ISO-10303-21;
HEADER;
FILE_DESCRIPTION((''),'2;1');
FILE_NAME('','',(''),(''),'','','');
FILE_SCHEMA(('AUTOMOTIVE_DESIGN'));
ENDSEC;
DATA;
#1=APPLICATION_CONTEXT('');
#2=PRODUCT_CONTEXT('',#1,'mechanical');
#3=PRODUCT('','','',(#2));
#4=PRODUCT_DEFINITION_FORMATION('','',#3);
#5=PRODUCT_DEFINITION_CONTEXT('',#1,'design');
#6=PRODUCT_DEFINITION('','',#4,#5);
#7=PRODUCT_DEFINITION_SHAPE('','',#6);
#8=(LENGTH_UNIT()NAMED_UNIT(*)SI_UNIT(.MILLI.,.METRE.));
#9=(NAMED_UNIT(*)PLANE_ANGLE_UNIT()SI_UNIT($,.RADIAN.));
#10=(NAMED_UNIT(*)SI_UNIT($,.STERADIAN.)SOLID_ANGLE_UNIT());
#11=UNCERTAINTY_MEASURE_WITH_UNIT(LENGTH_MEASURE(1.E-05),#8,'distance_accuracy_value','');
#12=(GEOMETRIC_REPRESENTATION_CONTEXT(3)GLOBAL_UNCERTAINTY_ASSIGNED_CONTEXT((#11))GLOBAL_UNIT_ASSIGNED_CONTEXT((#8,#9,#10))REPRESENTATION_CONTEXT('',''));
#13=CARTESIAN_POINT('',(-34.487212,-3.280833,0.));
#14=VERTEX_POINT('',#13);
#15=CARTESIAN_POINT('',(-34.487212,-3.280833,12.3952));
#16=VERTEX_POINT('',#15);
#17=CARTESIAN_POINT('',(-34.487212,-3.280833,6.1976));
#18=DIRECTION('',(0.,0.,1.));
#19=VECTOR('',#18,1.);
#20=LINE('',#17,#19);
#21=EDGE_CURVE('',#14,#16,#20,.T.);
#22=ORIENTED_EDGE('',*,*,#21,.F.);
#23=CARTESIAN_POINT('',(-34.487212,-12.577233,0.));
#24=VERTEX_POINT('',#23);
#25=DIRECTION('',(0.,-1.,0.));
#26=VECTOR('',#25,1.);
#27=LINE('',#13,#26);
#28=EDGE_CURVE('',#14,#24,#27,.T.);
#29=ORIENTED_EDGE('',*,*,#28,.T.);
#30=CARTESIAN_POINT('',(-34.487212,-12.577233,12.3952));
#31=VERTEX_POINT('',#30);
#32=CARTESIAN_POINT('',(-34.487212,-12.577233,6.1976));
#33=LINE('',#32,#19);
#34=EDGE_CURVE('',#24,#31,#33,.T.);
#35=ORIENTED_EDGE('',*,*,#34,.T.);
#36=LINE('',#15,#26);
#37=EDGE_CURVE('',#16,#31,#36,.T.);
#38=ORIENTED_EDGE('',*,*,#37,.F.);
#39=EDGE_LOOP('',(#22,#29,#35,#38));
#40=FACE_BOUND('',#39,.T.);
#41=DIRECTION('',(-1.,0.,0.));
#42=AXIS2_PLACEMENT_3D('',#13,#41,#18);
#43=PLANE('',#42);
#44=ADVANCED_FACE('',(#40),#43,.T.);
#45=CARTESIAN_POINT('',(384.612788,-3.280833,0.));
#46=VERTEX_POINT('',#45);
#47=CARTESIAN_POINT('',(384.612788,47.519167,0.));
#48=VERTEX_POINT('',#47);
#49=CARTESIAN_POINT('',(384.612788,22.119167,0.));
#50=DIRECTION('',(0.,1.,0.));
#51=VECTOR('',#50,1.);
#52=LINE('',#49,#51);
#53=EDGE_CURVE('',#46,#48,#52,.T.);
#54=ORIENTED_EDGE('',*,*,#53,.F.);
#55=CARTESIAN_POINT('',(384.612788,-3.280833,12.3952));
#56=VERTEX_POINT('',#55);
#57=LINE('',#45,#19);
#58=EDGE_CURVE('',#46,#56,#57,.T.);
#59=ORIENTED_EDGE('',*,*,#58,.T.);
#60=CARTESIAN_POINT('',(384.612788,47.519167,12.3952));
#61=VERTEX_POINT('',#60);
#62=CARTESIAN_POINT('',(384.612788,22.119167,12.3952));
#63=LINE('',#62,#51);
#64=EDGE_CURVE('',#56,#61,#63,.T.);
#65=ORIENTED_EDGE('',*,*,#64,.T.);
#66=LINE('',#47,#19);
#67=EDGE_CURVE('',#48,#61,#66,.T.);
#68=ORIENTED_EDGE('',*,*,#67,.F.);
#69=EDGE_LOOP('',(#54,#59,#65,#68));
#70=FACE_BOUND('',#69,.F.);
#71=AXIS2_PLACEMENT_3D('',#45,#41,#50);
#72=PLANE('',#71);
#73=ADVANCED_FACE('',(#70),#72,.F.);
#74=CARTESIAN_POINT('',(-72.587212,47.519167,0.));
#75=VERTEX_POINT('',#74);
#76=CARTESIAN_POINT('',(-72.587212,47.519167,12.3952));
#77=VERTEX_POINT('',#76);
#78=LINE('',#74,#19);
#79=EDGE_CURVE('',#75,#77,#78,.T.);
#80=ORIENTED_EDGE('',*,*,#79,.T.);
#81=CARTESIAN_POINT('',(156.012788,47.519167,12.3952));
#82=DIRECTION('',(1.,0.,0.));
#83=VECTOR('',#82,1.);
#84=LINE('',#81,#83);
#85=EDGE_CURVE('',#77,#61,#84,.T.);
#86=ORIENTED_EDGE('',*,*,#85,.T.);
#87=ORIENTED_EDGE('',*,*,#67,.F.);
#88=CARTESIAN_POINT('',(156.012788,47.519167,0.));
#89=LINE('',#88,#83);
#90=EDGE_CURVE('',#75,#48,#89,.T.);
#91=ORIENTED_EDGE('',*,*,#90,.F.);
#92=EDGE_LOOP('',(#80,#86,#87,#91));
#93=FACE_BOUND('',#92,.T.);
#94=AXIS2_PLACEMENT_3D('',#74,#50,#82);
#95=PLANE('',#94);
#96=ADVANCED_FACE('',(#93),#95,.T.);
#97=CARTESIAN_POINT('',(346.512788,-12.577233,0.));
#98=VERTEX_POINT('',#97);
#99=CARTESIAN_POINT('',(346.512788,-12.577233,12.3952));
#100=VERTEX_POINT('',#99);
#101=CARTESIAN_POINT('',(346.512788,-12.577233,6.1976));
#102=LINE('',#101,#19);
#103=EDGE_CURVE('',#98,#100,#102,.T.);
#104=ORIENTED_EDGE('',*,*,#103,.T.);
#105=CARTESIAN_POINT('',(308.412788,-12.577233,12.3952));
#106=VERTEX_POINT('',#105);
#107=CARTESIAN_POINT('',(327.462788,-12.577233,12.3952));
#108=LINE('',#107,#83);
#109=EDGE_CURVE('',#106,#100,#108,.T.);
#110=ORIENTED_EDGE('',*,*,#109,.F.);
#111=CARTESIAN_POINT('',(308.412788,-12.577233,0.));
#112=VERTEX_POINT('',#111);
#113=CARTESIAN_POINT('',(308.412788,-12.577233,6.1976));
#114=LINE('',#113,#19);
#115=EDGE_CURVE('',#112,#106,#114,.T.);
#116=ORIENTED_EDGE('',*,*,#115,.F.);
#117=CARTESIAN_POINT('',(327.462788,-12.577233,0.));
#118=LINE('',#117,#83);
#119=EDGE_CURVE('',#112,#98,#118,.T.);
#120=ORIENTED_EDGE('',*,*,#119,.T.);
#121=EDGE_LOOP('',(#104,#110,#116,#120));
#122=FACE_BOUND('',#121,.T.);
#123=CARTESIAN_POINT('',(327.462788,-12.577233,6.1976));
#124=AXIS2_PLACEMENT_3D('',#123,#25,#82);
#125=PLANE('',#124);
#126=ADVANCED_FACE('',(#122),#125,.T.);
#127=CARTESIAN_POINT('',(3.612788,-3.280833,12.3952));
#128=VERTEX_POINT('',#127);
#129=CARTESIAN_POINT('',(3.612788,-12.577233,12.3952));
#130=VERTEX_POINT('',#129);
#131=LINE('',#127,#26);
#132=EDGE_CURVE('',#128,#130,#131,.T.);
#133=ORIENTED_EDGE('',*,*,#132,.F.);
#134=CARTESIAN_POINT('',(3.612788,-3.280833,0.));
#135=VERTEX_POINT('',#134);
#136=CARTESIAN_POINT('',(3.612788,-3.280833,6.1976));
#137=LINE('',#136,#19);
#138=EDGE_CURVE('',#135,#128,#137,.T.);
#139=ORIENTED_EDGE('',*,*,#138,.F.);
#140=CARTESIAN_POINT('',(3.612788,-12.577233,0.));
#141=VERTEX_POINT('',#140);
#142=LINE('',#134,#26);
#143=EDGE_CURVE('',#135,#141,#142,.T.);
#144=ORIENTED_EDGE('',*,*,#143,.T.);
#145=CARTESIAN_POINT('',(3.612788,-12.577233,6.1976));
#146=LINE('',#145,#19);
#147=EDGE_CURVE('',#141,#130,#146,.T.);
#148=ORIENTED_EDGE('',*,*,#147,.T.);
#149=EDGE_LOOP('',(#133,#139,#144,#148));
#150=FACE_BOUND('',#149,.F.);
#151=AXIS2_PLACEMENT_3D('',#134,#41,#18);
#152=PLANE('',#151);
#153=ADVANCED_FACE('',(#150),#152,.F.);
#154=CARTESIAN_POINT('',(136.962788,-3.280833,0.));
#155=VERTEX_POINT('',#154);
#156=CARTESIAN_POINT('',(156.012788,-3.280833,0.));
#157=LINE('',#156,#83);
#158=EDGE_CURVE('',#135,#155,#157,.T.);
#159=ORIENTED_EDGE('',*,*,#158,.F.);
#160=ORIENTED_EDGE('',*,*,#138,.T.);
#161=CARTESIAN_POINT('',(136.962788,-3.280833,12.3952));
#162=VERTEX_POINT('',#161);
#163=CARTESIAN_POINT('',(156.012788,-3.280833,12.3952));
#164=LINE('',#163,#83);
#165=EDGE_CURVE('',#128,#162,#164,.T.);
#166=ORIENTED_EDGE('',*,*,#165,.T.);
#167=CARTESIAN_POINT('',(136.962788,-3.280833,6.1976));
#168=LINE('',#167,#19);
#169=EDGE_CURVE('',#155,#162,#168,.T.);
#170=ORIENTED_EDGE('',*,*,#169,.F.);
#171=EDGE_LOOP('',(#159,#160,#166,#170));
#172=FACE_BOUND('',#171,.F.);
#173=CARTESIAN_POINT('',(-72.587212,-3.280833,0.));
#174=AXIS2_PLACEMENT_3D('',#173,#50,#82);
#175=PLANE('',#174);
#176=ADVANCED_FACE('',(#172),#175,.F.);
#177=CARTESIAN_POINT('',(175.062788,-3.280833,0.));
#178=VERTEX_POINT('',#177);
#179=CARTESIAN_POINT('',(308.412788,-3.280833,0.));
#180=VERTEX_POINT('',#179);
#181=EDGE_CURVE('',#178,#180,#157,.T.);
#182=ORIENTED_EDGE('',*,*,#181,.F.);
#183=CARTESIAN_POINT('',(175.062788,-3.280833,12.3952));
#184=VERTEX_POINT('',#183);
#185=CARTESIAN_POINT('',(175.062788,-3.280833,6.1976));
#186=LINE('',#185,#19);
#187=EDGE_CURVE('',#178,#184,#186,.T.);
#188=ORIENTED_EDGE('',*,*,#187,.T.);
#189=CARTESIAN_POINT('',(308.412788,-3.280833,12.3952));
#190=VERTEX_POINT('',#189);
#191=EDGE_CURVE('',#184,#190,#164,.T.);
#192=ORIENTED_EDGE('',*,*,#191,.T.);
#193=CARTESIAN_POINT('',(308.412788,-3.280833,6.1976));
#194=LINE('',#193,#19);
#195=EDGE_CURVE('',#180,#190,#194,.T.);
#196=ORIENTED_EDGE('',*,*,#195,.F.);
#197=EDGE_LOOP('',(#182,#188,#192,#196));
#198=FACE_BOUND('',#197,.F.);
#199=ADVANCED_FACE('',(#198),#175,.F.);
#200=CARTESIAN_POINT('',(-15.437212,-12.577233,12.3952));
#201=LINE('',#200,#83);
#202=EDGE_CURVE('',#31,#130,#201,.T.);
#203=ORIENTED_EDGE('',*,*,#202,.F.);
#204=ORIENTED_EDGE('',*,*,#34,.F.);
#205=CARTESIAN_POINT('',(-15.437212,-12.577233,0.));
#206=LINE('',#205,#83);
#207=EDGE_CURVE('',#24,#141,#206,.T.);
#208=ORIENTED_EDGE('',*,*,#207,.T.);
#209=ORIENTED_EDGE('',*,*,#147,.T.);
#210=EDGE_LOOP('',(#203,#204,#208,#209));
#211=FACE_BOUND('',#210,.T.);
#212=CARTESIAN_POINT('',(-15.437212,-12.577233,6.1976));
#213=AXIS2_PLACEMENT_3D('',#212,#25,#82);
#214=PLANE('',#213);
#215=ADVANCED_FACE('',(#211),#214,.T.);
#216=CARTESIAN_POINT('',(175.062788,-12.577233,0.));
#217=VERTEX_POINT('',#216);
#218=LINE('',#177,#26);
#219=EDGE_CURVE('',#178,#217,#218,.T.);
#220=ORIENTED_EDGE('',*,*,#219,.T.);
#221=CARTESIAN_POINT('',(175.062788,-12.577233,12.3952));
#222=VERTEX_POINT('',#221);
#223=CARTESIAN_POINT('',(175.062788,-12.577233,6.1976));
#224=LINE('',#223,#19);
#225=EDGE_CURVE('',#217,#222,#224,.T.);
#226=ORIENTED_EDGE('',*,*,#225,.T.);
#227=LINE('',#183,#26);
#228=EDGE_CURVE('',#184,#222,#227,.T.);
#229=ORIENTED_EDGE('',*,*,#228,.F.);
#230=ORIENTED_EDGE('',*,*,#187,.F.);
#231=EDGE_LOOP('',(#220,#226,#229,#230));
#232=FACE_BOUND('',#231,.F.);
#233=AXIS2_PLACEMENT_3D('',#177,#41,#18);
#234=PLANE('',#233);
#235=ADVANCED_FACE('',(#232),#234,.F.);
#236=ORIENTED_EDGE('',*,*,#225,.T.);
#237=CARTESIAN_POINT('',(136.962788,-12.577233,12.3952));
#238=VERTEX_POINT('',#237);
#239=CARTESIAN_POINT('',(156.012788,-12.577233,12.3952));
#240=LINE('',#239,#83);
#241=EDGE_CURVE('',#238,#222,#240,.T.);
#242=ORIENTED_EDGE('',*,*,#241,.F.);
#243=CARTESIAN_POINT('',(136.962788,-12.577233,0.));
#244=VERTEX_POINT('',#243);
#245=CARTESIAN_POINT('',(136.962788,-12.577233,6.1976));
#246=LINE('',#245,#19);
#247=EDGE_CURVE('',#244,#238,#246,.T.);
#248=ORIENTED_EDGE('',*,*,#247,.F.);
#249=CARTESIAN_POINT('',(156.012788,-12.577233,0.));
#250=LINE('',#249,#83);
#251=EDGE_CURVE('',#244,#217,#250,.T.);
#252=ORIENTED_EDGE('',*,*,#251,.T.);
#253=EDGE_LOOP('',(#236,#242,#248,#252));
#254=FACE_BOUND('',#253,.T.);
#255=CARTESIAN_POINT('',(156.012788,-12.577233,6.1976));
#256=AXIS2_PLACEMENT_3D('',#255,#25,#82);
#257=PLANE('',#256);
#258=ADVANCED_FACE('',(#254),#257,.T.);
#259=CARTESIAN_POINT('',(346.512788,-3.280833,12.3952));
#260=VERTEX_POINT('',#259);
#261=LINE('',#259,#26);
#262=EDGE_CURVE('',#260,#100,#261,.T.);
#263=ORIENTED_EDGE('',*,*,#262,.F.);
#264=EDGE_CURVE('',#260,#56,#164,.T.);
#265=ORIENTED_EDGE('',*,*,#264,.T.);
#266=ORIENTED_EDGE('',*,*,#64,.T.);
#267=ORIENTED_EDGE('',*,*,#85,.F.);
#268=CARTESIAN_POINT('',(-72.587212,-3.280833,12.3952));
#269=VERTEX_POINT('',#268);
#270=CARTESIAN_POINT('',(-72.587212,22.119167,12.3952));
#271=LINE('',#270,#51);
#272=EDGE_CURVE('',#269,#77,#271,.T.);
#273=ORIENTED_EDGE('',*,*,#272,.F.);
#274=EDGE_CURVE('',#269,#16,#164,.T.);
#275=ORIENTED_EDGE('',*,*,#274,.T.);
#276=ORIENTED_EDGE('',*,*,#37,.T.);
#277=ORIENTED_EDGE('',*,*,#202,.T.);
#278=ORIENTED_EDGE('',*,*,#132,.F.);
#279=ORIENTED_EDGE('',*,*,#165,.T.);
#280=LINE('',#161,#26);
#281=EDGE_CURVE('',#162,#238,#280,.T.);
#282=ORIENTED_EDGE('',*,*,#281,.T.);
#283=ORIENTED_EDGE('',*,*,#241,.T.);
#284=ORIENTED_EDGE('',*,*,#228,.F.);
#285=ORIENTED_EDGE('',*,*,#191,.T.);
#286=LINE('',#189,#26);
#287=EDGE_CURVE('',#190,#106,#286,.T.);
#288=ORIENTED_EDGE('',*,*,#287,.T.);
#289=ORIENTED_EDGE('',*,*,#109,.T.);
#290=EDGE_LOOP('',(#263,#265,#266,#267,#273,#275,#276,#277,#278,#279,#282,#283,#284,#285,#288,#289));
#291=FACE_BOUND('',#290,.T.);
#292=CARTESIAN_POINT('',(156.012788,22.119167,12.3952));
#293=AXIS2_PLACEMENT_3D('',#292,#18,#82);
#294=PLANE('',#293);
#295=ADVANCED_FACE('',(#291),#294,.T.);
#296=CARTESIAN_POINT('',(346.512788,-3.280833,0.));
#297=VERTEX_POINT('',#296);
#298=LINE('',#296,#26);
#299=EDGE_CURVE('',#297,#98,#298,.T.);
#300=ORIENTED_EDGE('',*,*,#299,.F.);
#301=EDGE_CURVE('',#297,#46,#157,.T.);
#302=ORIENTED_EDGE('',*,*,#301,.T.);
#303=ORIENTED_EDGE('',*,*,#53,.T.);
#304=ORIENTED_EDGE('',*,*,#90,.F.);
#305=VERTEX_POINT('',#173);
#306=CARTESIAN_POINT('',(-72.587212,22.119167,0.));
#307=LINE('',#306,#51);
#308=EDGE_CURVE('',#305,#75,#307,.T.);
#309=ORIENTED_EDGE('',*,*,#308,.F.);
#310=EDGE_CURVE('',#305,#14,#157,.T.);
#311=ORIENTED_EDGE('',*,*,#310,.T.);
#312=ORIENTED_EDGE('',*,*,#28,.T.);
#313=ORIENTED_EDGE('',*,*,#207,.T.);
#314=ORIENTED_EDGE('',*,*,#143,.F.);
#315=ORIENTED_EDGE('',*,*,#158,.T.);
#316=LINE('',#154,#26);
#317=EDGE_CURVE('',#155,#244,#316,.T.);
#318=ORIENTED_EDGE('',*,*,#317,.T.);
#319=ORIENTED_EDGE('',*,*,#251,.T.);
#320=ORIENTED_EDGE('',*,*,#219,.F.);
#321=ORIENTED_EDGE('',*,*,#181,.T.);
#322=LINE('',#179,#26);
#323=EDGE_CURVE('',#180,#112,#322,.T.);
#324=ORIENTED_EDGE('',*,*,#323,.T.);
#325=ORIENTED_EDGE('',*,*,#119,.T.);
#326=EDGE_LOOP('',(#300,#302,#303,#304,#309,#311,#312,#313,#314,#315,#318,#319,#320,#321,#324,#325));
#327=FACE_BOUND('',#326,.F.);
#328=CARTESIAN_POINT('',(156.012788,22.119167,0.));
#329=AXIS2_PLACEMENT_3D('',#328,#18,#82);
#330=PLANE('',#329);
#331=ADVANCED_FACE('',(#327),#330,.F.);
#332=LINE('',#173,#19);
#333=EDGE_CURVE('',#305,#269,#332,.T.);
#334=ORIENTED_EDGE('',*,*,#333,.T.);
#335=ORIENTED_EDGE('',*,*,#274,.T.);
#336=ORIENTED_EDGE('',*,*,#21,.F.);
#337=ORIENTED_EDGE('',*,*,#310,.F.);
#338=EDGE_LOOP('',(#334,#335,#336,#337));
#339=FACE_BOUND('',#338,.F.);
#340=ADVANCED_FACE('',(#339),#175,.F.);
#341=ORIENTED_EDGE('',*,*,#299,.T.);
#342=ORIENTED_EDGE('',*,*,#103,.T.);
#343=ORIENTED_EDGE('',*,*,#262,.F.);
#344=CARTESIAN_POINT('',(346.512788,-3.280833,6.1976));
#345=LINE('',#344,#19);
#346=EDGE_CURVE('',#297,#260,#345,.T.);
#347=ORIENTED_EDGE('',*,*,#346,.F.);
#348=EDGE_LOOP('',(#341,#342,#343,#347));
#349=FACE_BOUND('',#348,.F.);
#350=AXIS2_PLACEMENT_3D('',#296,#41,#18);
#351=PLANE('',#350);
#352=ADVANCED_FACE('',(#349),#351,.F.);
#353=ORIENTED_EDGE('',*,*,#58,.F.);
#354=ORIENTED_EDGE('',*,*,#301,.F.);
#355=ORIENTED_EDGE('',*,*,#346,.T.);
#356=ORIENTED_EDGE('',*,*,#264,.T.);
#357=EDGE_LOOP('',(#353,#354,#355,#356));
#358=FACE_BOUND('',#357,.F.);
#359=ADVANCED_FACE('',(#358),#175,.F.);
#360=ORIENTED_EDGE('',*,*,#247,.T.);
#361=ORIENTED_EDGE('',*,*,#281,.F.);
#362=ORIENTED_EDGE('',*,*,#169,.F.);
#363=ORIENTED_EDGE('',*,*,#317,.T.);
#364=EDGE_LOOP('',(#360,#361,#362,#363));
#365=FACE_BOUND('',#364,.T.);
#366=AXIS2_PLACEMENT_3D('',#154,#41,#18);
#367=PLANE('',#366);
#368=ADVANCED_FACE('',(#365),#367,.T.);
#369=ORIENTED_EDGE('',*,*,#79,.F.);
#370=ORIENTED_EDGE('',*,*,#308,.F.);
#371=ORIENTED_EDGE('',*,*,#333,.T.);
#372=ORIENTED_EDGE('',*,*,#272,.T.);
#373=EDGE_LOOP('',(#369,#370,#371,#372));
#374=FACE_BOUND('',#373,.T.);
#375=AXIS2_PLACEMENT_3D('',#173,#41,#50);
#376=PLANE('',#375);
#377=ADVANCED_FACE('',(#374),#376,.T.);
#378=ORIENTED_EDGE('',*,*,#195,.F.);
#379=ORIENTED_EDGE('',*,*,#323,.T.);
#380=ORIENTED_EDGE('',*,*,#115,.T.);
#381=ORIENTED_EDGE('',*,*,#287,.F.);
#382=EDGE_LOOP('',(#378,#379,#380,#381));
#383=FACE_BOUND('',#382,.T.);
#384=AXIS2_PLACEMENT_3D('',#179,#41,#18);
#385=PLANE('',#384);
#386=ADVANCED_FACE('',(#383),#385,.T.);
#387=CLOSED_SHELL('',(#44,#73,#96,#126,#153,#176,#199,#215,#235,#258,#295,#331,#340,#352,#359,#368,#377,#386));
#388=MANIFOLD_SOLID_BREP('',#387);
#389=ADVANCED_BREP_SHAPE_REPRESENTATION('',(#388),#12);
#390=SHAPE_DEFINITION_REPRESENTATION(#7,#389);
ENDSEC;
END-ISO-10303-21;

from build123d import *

# Parameters (mm, degrees)
F0_W     = 457.2
F0_H     = 50.8
F1_DEPTH = 12.3952
F2_W     = 38.1
F2_H     = 12.3952
F3_DEPTH = 9.2964


with BuildPart() as f1:
    # F0 (on Top) → F1 (new body)
    with BuildSketch(Plane.XY):
        with Locations((156.012788, 22.119167)):
            Rectangle(F0_W, F0_H)
    extrude(amount=F1_DEPTH)

    # F2 (on face) → F3 (join)
    with BuildSketch(Plane.XZ.offset(3.280833)):
        with Locations((-15.437212, 6.1976)):
            Rectangle(F2_W, F2_H)
        with Locations((156.012788, 6.1976)):
            Rectangle(F2_W, F2_H)
        with Locations((327.462788, 6.1976)):
            Rectangle(F2_W, F2_H)
    extrude(amount=F3_DEPTH)


solid = f1.part
